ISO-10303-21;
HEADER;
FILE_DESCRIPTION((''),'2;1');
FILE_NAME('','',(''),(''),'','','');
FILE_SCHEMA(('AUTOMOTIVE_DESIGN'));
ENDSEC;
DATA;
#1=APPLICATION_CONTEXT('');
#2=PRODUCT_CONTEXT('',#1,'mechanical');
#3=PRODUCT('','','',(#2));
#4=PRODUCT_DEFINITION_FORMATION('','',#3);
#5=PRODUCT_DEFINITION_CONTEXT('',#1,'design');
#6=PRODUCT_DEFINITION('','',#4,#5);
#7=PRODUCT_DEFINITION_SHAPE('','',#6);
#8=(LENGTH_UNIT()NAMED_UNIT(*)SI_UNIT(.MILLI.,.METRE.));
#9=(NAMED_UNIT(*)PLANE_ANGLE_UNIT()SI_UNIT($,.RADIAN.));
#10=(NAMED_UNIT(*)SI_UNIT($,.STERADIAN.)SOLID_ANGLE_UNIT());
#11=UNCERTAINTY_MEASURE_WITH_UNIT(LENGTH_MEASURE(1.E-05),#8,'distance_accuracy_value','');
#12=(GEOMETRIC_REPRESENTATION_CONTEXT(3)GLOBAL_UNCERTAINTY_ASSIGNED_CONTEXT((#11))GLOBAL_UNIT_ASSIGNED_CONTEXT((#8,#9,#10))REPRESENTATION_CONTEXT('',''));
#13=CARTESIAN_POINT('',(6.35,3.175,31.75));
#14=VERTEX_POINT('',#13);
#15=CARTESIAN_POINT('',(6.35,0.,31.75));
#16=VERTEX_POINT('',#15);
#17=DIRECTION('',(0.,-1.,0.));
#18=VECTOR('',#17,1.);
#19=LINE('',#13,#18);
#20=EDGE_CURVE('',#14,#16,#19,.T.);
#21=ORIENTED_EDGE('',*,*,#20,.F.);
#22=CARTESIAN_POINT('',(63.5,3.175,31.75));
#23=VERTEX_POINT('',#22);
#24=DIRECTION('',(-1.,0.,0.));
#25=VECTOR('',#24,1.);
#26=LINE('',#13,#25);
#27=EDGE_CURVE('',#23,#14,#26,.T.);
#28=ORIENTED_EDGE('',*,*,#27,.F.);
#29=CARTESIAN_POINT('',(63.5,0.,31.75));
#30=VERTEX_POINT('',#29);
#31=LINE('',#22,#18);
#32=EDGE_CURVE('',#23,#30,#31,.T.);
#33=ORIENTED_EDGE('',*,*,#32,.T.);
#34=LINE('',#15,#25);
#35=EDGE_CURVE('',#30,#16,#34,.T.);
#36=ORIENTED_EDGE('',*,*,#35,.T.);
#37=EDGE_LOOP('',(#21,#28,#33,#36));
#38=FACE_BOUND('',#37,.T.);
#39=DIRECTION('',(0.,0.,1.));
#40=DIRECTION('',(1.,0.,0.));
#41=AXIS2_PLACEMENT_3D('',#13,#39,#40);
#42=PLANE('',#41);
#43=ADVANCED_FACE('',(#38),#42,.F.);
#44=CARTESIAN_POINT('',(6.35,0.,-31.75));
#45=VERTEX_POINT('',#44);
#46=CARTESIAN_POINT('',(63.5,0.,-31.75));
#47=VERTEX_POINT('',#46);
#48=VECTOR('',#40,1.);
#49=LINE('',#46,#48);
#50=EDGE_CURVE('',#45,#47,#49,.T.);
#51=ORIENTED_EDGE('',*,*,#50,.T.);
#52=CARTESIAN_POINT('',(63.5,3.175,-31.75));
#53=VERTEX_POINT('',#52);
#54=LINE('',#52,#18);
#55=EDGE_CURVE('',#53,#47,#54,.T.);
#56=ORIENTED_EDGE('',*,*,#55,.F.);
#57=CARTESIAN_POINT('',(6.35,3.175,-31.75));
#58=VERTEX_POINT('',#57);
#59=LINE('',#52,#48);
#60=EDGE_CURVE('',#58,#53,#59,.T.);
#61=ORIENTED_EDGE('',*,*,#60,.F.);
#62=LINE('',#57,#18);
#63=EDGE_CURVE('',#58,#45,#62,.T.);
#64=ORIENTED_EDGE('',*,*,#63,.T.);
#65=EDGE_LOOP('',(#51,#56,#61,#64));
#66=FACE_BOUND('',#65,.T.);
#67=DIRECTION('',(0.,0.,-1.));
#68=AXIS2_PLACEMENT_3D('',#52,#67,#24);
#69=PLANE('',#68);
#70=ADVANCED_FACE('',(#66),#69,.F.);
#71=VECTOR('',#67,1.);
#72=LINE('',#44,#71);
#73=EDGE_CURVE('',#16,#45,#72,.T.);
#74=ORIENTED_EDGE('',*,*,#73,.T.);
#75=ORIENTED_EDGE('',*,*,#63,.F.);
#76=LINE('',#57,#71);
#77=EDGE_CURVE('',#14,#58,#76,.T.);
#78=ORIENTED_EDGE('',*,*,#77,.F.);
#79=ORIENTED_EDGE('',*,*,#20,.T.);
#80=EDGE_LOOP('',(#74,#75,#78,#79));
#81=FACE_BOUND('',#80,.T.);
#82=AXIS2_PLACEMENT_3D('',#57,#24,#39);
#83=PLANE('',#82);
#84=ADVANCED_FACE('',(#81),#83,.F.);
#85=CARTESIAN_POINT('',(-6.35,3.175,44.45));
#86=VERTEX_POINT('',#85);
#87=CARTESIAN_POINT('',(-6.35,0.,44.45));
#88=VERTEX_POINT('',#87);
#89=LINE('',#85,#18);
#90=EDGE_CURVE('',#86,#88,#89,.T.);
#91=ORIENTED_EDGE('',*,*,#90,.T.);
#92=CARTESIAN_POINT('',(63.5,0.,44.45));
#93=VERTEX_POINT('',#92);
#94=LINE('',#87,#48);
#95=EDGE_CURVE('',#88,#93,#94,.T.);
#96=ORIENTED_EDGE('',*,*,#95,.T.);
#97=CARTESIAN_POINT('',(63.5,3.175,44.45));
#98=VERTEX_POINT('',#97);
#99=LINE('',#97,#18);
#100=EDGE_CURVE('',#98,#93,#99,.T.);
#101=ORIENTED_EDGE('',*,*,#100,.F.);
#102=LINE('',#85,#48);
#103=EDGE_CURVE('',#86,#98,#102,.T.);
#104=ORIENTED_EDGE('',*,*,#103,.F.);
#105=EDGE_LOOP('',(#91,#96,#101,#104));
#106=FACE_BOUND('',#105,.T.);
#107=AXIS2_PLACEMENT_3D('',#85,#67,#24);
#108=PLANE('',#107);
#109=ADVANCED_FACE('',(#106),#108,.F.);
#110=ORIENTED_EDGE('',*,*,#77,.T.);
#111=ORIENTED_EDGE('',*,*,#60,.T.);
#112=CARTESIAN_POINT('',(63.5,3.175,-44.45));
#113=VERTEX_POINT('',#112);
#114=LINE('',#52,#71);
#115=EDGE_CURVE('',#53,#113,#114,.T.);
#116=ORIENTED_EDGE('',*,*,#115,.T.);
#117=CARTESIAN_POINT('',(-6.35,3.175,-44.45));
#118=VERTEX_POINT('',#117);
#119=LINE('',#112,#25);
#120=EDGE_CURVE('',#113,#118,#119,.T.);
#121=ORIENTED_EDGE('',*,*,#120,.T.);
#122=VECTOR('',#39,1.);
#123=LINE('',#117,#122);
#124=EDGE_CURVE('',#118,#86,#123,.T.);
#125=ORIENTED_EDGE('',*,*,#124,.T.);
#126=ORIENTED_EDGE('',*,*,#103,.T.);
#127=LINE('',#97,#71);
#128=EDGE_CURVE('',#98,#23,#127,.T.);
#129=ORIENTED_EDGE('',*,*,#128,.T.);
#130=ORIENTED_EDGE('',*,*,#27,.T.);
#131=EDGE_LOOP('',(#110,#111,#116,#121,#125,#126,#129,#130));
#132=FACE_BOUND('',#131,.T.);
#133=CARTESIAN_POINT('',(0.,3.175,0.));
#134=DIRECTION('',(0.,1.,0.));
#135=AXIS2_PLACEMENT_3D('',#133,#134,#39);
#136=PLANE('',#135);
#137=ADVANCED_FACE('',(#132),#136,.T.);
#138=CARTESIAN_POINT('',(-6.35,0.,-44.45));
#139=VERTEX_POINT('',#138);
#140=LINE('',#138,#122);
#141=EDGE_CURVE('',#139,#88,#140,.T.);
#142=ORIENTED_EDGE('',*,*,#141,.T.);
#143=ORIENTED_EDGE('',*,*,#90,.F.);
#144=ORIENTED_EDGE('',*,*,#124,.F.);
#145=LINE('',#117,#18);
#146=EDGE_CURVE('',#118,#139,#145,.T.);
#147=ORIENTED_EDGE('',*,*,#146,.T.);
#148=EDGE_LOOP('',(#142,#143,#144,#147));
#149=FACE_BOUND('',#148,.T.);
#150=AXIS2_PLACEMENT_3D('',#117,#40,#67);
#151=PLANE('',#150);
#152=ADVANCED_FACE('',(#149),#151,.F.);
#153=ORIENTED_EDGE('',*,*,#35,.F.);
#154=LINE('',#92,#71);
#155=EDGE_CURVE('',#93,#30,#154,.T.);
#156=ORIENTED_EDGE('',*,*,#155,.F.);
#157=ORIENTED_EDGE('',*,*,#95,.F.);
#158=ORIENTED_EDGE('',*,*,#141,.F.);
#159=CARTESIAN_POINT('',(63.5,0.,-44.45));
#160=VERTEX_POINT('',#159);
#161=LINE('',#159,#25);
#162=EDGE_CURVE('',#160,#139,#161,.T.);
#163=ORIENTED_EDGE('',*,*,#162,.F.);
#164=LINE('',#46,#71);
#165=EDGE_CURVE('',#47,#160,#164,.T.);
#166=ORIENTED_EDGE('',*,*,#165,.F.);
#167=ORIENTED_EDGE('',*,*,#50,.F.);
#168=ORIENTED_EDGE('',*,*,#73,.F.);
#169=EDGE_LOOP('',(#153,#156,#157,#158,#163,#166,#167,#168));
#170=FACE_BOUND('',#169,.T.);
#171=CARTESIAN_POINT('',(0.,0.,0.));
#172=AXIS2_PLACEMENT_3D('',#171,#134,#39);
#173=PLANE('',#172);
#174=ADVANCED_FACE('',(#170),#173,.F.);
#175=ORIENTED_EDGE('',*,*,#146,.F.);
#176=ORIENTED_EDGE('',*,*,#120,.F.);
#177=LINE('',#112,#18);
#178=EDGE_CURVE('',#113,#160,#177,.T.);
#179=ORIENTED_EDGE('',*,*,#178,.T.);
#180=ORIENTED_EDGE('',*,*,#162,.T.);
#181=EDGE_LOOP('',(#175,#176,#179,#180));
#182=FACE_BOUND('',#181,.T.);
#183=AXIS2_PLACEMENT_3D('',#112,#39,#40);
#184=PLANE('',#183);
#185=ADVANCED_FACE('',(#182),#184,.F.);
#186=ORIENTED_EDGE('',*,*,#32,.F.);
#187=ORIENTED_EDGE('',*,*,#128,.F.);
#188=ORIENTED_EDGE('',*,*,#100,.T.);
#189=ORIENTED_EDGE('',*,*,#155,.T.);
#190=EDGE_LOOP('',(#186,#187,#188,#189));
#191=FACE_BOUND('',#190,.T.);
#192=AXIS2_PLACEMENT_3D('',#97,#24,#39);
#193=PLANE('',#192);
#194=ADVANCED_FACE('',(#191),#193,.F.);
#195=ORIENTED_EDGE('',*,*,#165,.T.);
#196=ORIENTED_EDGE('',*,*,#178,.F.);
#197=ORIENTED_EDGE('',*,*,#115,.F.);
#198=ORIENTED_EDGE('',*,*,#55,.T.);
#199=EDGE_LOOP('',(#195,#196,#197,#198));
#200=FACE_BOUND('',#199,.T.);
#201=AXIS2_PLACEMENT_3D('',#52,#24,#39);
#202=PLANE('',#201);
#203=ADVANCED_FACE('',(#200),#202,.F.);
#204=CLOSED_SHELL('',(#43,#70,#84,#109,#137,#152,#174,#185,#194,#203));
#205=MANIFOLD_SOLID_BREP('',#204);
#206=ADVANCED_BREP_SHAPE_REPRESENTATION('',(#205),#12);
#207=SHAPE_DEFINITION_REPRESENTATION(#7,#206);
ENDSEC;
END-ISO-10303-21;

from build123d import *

# Parameters (mm, degrees)
BOSS_EXTRUDE1_DEPTH = 3.175


with BuildPart() as part:
    # Sketch1 → Boss-Extrude1 (new body)
    with BuildSketch(Plane(origin=(0, 0, 0), x_dir=(1, 0, 0), z_dir=(0, 1, 0))):
        Polygon((63.5, 31.75), (63.5, 44.45), (-6.35, 44.45), (-6.35, -44.45), (63.5, -44.45), (63.5, -31.75), (6.35, -31.75), (6.35, 31.75), align=None)
    extrude(amount=BOSS_EXTRUDE1_DEPTH)


solid = part.part
